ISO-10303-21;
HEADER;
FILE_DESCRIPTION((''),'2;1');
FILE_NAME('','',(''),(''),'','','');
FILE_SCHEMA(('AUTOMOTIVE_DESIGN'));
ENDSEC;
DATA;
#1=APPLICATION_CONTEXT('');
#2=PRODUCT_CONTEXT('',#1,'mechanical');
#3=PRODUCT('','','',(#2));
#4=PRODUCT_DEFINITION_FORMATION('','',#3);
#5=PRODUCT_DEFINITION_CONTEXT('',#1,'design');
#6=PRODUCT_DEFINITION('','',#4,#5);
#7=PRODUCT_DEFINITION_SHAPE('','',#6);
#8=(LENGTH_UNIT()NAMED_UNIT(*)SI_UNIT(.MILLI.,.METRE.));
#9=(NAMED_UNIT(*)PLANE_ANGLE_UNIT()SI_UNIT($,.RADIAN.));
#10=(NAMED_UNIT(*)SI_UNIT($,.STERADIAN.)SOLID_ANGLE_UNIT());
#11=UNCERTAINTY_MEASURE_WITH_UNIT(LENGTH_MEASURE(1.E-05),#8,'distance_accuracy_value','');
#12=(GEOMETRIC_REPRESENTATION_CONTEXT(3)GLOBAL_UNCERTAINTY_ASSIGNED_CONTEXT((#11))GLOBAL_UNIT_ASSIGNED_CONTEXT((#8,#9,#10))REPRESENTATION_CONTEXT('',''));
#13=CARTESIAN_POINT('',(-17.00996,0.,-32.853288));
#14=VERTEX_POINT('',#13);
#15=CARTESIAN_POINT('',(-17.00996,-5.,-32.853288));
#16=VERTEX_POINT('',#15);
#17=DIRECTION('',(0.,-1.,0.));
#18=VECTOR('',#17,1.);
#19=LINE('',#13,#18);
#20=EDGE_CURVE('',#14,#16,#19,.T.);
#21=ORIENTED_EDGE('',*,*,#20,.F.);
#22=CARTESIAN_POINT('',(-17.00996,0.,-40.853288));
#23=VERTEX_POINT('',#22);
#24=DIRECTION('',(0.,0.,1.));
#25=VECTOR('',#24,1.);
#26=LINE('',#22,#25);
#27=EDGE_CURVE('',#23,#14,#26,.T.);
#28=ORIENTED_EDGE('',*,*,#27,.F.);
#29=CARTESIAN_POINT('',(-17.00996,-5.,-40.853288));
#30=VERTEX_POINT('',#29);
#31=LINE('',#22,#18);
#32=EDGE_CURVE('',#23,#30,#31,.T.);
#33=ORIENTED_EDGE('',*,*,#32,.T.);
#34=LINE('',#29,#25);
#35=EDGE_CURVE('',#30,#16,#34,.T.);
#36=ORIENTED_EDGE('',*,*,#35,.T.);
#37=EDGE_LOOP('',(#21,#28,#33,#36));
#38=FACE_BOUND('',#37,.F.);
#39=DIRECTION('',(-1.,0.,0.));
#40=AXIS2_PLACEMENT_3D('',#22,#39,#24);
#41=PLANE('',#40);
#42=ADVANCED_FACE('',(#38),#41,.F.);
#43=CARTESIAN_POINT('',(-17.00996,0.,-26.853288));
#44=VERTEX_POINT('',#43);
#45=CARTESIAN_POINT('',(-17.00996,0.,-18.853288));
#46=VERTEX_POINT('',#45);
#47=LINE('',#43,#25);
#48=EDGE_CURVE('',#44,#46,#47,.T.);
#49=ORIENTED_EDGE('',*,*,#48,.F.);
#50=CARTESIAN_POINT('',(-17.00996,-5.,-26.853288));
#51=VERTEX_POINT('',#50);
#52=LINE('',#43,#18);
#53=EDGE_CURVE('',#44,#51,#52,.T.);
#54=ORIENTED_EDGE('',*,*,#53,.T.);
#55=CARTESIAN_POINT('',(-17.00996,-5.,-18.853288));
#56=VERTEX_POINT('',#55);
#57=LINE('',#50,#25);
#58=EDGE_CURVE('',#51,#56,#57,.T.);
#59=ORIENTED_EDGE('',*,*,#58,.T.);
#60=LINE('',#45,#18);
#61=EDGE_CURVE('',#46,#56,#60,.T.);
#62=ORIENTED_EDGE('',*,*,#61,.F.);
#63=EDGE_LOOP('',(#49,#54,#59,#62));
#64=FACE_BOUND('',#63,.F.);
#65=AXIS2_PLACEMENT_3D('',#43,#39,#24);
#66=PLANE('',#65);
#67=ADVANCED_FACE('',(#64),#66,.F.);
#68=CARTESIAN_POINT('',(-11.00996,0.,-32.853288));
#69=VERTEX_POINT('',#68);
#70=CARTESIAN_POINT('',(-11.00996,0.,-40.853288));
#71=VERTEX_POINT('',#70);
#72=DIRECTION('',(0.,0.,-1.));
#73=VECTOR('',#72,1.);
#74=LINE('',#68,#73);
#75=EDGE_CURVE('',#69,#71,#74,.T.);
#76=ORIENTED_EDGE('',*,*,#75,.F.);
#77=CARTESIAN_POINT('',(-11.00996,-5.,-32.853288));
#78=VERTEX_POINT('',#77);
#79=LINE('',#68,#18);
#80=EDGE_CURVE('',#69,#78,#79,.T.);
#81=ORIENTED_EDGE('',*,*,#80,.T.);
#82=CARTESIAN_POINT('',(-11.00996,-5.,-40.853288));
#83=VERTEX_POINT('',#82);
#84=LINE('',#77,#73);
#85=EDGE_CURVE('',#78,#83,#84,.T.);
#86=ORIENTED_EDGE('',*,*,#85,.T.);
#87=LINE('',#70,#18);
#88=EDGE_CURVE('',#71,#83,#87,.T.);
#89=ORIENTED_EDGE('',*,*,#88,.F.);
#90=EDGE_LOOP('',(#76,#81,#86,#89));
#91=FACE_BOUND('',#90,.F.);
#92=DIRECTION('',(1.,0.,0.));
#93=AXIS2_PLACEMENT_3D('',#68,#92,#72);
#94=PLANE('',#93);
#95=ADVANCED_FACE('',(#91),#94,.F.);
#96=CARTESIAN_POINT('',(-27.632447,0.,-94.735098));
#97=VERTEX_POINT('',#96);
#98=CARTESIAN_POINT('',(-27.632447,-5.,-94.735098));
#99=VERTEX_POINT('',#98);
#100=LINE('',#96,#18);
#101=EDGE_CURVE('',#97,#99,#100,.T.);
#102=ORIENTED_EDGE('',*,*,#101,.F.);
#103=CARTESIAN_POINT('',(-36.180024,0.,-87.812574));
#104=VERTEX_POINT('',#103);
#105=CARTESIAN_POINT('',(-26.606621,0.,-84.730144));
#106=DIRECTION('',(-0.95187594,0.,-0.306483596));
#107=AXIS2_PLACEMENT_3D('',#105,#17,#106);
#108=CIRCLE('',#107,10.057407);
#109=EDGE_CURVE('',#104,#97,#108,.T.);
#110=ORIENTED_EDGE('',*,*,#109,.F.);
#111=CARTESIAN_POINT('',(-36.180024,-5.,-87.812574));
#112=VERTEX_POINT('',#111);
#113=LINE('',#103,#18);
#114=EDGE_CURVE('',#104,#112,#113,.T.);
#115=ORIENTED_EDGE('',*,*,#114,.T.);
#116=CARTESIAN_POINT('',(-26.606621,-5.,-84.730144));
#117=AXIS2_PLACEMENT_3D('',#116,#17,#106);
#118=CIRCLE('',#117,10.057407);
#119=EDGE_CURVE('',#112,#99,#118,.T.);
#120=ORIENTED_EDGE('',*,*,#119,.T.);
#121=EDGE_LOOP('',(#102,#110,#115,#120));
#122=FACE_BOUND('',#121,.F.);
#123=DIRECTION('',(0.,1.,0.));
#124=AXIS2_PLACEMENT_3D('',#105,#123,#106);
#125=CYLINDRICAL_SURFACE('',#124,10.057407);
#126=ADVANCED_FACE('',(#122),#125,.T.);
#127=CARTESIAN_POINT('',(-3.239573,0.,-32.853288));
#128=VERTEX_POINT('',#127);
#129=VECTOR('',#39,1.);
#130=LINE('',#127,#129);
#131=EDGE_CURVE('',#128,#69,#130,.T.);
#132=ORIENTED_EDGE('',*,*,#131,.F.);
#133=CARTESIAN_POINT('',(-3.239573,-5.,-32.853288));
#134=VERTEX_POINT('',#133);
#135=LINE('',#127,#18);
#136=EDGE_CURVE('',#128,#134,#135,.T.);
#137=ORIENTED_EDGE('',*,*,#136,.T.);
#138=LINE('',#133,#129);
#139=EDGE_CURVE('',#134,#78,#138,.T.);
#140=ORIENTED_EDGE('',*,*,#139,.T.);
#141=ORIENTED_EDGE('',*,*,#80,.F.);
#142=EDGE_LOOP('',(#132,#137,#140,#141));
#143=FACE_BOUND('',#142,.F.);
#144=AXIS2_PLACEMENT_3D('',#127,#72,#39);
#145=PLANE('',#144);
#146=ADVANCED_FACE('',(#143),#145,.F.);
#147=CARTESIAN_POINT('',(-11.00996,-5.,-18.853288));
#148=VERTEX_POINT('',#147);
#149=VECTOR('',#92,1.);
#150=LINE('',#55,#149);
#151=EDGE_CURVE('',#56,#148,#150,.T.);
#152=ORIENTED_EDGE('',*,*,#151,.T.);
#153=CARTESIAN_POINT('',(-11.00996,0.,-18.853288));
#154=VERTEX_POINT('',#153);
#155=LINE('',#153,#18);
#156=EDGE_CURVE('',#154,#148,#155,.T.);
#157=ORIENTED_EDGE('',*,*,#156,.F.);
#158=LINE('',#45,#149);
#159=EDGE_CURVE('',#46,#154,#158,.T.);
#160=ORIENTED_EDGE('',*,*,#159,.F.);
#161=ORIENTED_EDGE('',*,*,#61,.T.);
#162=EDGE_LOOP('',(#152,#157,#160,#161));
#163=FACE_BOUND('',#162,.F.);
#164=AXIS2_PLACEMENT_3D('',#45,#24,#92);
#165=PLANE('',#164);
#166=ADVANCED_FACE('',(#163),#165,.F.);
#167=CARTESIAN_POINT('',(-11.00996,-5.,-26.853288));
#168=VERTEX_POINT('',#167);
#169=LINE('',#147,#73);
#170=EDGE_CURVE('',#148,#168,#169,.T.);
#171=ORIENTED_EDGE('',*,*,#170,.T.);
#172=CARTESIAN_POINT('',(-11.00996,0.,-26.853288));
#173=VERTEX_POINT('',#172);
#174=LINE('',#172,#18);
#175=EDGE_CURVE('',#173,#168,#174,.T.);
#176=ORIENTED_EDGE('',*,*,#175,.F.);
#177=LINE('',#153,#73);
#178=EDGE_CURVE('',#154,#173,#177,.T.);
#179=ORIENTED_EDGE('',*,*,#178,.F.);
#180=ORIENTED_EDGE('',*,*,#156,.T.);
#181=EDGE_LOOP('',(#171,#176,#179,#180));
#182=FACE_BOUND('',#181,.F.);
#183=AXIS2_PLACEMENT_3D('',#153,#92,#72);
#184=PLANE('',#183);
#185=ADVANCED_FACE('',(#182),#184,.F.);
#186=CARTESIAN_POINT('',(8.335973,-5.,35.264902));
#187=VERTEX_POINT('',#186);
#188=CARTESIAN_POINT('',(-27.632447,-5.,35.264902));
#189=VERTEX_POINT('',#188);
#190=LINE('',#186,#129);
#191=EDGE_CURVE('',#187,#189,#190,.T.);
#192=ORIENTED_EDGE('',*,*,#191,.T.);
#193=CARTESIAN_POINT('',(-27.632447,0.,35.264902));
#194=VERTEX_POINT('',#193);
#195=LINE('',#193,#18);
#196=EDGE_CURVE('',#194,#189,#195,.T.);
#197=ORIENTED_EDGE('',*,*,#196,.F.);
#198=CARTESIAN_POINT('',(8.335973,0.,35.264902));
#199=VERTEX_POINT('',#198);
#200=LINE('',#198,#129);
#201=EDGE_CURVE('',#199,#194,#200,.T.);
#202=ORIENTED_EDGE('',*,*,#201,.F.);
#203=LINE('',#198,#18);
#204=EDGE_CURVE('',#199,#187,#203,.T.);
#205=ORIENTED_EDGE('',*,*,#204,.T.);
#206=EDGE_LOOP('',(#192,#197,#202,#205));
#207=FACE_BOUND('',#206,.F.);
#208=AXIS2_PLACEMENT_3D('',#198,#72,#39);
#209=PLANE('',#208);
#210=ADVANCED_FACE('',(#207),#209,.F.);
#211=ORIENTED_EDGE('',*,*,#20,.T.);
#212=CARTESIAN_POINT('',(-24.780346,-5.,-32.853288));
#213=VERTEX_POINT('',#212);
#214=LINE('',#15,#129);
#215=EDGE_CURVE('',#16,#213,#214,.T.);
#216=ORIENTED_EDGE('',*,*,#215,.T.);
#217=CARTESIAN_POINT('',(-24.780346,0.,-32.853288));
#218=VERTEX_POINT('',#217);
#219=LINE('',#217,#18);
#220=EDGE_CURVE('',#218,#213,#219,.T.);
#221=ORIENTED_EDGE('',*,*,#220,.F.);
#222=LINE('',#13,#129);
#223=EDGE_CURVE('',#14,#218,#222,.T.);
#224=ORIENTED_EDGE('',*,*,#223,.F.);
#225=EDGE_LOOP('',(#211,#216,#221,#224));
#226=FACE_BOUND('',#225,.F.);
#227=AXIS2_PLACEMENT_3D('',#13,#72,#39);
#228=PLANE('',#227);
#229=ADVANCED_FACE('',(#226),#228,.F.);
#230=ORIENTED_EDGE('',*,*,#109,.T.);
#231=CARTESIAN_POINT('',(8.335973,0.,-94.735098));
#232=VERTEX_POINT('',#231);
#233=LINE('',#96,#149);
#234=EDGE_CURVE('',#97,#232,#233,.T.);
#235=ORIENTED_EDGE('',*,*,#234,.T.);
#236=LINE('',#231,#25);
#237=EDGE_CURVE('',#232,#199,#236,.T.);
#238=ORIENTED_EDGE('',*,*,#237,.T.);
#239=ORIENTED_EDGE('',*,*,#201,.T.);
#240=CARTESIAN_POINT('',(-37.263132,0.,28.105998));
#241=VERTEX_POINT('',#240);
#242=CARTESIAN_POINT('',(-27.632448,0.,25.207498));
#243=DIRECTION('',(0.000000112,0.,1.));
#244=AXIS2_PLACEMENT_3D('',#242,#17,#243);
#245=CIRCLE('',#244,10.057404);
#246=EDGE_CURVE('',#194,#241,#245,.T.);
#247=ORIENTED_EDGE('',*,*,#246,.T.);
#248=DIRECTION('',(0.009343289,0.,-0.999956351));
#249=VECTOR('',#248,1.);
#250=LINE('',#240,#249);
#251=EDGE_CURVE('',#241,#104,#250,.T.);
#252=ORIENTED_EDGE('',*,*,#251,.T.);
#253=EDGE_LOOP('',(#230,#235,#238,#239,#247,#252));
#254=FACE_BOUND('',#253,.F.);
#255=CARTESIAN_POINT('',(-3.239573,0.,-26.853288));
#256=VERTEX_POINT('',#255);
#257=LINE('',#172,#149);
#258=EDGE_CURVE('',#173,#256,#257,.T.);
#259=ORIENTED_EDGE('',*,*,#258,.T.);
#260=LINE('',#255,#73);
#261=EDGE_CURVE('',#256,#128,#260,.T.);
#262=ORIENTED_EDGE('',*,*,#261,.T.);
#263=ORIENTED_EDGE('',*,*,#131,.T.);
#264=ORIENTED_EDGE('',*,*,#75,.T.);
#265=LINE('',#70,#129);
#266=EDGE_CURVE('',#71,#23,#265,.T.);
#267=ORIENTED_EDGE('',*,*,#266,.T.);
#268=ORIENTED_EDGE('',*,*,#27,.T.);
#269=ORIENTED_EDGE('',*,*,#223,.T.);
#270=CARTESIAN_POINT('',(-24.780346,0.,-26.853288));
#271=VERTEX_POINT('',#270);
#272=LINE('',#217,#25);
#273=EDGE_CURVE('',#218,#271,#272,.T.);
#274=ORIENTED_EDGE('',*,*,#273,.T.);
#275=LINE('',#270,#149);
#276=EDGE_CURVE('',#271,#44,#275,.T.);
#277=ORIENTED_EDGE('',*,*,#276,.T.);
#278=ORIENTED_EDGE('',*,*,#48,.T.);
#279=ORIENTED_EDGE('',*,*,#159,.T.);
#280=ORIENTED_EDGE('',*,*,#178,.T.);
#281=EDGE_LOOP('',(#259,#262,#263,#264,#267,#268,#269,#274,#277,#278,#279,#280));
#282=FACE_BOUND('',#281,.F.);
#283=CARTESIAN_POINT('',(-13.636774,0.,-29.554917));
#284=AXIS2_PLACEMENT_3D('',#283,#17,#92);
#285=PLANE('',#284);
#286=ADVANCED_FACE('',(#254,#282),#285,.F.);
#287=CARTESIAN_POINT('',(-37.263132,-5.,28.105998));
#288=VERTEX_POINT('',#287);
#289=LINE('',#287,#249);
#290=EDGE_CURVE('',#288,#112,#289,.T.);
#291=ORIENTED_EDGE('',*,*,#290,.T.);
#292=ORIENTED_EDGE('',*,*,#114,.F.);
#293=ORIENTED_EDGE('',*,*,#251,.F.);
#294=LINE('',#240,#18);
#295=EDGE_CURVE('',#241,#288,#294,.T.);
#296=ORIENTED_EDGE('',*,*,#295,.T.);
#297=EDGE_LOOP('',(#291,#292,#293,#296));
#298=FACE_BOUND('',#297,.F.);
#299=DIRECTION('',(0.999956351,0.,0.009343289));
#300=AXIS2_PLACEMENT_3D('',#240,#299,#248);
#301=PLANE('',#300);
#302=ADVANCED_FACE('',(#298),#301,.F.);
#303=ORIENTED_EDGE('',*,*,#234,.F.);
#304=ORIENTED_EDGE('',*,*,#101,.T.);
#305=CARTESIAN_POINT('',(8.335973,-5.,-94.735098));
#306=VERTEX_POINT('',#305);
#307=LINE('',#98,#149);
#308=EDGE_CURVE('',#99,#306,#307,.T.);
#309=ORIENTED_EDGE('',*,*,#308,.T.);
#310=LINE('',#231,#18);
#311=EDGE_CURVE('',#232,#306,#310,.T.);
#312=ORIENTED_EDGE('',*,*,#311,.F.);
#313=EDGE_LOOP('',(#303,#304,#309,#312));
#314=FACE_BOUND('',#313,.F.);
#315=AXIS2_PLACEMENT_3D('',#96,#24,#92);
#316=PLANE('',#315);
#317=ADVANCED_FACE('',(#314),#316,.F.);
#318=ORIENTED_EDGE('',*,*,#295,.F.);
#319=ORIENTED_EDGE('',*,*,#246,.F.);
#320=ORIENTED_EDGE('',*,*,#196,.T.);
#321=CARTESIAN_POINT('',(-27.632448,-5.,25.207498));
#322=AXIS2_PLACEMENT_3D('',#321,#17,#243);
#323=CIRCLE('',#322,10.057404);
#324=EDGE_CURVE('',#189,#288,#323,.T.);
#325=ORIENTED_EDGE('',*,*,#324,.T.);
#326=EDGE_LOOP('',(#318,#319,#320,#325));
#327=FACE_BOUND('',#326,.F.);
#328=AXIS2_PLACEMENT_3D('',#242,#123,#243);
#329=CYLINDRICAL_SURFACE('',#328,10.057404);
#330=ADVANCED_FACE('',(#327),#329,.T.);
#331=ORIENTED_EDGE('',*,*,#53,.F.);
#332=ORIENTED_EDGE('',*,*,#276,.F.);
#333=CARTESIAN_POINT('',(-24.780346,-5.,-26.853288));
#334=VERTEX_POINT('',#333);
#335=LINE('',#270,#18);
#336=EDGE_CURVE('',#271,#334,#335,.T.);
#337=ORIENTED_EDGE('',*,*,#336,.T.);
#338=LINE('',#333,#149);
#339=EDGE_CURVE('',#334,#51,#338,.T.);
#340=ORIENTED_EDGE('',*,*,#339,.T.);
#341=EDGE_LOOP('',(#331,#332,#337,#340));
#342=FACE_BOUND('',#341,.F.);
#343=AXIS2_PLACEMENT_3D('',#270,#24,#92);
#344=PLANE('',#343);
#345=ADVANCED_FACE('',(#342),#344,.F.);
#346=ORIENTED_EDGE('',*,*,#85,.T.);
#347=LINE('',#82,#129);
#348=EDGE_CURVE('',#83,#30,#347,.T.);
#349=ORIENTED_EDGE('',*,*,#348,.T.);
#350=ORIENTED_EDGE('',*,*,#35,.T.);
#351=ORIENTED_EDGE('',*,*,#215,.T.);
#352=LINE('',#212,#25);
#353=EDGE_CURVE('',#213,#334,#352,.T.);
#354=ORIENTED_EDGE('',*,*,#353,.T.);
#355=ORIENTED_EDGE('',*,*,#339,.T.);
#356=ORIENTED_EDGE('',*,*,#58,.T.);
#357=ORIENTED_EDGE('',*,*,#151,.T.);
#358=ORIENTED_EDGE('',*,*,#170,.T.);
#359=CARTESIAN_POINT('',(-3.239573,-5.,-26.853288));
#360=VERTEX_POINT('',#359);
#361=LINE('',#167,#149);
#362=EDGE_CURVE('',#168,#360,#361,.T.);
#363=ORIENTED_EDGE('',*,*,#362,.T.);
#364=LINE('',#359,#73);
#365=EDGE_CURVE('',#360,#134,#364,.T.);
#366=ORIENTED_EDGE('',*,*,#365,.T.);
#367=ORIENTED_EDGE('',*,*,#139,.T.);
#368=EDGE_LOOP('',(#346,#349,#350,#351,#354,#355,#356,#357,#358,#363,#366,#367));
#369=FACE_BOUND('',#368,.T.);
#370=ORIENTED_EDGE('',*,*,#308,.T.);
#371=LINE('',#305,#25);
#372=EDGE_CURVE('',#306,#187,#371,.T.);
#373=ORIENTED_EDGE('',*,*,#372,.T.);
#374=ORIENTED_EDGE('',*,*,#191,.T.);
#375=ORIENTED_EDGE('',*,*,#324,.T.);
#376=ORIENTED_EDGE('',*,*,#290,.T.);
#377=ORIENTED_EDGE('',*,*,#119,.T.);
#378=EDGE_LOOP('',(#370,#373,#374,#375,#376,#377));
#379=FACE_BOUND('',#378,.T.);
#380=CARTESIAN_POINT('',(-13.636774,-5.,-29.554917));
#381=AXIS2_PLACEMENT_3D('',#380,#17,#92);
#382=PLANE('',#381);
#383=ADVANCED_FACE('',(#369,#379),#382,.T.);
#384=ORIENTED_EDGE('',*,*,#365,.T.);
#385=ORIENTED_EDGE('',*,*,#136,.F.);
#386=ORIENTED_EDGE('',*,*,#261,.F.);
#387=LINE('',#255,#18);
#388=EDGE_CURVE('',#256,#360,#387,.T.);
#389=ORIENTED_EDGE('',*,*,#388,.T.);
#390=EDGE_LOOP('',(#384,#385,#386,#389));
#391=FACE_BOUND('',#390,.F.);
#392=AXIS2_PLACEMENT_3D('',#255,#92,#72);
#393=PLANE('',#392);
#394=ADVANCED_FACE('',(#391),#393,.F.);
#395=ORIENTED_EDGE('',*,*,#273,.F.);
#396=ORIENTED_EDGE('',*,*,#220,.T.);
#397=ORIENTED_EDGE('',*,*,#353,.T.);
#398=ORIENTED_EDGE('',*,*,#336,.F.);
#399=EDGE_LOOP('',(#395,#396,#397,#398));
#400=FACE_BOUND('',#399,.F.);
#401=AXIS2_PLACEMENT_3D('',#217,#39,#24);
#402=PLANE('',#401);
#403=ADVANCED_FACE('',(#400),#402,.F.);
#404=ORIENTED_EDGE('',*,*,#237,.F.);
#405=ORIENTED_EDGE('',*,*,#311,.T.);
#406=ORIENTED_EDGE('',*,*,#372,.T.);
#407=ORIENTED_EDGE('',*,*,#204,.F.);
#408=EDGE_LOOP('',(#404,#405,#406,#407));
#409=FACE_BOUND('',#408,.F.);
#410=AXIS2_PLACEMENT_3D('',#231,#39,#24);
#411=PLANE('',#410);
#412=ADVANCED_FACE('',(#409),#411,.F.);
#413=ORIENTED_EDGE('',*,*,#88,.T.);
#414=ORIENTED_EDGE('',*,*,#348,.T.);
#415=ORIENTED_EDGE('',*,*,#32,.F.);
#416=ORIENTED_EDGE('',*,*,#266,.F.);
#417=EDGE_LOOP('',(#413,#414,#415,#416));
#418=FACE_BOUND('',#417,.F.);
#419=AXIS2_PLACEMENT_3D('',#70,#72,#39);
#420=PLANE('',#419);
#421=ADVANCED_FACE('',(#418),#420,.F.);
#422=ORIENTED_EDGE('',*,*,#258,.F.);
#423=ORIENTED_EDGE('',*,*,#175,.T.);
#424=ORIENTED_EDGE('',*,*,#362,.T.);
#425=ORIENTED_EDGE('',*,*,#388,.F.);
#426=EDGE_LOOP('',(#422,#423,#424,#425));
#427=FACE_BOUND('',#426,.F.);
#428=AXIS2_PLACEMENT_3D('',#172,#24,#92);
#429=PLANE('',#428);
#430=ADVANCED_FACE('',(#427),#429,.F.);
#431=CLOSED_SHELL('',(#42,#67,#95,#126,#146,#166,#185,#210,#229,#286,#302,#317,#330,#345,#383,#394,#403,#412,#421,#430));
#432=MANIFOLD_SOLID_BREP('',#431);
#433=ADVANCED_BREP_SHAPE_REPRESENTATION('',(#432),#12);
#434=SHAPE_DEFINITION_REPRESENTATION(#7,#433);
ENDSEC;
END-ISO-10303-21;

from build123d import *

# Parameters (mm, degrees)
F1_DEPTH = 5


with BuildPart() as f1:
    # F0 (on Front) → F1 (new body)
    with BuildSketch(Plane.XZ):
        with BuildLine():
            Line((8.335973, -94.735098), (8.335973, 35.264902))
            Line((8.335973, 35.264902), (-27.632447, 35.264902))
            ThreePointArc((-27.632447, 35.264902), (-33.632447, 33.279139), (-37.263132, 28.105998))
            Line((-37.263132, 28.105998), (-36.180024, -87.812574))
            ThreePointArc((-36.180024, -87.812574), (-32.936412, -92.545844), (-27.632447, -94.735098))
            Line((-27.632447, -94.735098), (8.335973, -94.735098))
        make_face()
        Polygon((-17.00996, -26.853288), (-17.00996, -18.853288), (-11.00996, -18.853288), (-11.00996, -26.853288), (-3.239573, -26.853288), (-3.239573, -32.853288), (-11.00996, -32.853288), (-11.00996, -40.853288), (-17.00996, -40.853288), (-17.00996, -32.853288), (-24.780346, -32.853288), (-24.780346, -26.853288), align=None, mode=Mode.SUBTRACT)
    extrude(amount=F1_DEPTH)


solid = f1.part
